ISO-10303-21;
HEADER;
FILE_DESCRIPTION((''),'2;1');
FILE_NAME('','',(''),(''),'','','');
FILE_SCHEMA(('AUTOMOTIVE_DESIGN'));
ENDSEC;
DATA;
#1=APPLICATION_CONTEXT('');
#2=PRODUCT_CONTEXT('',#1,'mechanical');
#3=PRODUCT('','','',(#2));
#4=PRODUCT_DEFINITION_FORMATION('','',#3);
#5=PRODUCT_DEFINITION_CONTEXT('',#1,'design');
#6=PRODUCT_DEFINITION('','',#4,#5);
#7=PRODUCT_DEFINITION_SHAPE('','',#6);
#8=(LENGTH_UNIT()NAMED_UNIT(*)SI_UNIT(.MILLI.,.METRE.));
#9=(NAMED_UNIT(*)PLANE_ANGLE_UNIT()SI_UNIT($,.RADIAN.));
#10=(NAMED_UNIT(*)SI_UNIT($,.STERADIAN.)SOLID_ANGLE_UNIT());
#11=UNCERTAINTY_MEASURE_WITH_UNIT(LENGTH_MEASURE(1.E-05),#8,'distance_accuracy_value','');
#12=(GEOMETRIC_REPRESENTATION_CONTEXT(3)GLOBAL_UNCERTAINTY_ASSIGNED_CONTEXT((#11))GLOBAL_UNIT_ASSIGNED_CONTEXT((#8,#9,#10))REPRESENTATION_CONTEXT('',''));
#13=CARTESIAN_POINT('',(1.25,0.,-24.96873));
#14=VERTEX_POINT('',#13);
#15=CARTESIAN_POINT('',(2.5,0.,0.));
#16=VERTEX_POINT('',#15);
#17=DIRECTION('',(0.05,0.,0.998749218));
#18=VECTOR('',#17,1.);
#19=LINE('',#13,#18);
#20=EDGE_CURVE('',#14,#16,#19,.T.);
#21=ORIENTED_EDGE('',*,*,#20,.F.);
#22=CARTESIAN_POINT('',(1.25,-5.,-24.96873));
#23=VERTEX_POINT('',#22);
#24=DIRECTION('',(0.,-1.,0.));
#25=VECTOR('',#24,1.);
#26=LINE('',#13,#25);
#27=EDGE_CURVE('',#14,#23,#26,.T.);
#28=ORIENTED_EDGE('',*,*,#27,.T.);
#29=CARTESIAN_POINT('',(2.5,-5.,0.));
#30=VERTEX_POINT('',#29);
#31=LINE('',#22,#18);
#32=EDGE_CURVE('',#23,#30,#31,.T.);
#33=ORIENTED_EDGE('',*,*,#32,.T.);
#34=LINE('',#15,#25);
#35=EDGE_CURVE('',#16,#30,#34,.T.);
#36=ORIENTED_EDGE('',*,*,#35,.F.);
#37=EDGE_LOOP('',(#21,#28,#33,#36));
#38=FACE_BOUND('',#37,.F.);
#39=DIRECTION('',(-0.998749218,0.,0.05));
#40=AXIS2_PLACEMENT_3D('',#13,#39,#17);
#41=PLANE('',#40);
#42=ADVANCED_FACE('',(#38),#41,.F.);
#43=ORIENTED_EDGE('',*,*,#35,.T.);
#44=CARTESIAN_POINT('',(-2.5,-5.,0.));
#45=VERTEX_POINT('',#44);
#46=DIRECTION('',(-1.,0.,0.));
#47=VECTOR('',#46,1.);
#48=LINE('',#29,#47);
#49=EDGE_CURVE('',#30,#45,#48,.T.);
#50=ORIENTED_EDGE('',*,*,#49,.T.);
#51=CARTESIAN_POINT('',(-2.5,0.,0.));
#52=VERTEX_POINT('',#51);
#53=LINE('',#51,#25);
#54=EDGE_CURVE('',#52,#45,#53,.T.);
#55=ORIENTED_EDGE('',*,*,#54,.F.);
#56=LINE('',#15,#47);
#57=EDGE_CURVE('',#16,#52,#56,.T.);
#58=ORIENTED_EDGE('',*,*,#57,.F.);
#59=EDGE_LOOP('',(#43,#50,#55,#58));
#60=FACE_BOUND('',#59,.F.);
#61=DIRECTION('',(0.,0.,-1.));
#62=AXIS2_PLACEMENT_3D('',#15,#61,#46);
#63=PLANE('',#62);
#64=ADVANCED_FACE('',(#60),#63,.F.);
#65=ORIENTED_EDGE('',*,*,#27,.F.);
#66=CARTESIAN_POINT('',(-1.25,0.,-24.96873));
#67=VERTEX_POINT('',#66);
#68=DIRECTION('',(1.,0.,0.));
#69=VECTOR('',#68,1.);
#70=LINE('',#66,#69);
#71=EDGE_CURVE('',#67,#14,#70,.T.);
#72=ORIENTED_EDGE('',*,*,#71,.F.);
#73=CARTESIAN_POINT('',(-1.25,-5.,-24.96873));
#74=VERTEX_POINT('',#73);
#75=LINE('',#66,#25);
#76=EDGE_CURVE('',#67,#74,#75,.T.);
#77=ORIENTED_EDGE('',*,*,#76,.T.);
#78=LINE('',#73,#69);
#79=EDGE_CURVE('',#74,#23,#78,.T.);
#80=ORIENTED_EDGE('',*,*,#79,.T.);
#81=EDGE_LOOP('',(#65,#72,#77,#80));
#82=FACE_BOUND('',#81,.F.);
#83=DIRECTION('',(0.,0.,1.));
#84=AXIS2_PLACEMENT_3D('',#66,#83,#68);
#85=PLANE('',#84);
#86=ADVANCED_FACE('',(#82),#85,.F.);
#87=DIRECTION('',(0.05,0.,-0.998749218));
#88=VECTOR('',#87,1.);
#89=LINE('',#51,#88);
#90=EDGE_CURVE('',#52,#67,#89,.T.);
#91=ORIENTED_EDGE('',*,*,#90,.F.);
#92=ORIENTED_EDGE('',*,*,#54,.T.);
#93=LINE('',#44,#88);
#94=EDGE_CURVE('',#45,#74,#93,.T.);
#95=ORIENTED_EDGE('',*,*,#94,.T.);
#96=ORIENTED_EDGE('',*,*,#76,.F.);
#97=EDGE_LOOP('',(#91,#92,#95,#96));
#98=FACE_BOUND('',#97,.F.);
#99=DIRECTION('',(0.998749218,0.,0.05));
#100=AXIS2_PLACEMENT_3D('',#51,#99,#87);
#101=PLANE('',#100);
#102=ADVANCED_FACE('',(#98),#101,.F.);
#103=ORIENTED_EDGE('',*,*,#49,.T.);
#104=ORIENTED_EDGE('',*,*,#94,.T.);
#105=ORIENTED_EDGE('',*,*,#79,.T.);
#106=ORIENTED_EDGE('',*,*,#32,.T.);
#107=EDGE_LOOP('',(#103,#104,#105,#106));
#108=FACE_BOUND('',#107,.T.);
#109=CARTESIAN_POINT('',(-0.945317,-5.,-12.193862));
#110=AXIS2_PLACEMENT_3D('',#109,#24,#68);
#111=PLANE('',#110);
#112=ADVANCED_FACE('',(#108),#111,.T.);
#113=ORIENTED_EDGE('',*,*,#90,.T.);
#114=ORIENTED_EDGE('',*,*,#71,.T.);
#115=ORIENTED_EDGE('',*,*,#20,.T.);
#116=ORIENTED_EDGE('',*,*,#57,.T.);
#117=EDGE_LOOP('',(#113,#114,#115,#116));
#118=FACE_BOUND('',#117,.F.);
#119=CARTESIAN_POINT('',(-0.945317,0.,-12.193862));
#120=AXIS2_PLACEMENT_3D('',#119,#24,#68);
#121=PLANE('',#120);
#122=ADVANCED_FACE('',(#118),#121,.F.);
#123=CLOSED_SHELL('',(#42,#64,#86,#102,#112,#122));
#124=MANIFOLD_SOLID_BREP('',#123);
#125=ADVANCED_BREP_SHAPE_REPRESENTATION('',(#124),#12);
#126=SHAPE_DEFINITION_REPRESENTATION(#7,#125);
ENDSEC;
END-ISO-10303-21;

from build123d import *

# Parameters (mm, degrees)
F1_DEPTH = 100
F2_SCALE = 0.05


with BuildPart() as f1:
    # F0 (on Front) → F1 (new body)
    with BuildSketch(Plane.XZ):
        Polygon((0, -499.374608886), (0, 0), (-50, 0), (-25, -499.374608886), align=None)
        Polygon((50, 0), (0, 0), (0, -499.374608886), (25, -499.374608886), align=None)
    extrude(amount=F1_DEPTH)


with BuildPart() as f1_1:
    # F2: moved
    add(f1.part.scale(F2_SCALE))


solid = f1_1.part
